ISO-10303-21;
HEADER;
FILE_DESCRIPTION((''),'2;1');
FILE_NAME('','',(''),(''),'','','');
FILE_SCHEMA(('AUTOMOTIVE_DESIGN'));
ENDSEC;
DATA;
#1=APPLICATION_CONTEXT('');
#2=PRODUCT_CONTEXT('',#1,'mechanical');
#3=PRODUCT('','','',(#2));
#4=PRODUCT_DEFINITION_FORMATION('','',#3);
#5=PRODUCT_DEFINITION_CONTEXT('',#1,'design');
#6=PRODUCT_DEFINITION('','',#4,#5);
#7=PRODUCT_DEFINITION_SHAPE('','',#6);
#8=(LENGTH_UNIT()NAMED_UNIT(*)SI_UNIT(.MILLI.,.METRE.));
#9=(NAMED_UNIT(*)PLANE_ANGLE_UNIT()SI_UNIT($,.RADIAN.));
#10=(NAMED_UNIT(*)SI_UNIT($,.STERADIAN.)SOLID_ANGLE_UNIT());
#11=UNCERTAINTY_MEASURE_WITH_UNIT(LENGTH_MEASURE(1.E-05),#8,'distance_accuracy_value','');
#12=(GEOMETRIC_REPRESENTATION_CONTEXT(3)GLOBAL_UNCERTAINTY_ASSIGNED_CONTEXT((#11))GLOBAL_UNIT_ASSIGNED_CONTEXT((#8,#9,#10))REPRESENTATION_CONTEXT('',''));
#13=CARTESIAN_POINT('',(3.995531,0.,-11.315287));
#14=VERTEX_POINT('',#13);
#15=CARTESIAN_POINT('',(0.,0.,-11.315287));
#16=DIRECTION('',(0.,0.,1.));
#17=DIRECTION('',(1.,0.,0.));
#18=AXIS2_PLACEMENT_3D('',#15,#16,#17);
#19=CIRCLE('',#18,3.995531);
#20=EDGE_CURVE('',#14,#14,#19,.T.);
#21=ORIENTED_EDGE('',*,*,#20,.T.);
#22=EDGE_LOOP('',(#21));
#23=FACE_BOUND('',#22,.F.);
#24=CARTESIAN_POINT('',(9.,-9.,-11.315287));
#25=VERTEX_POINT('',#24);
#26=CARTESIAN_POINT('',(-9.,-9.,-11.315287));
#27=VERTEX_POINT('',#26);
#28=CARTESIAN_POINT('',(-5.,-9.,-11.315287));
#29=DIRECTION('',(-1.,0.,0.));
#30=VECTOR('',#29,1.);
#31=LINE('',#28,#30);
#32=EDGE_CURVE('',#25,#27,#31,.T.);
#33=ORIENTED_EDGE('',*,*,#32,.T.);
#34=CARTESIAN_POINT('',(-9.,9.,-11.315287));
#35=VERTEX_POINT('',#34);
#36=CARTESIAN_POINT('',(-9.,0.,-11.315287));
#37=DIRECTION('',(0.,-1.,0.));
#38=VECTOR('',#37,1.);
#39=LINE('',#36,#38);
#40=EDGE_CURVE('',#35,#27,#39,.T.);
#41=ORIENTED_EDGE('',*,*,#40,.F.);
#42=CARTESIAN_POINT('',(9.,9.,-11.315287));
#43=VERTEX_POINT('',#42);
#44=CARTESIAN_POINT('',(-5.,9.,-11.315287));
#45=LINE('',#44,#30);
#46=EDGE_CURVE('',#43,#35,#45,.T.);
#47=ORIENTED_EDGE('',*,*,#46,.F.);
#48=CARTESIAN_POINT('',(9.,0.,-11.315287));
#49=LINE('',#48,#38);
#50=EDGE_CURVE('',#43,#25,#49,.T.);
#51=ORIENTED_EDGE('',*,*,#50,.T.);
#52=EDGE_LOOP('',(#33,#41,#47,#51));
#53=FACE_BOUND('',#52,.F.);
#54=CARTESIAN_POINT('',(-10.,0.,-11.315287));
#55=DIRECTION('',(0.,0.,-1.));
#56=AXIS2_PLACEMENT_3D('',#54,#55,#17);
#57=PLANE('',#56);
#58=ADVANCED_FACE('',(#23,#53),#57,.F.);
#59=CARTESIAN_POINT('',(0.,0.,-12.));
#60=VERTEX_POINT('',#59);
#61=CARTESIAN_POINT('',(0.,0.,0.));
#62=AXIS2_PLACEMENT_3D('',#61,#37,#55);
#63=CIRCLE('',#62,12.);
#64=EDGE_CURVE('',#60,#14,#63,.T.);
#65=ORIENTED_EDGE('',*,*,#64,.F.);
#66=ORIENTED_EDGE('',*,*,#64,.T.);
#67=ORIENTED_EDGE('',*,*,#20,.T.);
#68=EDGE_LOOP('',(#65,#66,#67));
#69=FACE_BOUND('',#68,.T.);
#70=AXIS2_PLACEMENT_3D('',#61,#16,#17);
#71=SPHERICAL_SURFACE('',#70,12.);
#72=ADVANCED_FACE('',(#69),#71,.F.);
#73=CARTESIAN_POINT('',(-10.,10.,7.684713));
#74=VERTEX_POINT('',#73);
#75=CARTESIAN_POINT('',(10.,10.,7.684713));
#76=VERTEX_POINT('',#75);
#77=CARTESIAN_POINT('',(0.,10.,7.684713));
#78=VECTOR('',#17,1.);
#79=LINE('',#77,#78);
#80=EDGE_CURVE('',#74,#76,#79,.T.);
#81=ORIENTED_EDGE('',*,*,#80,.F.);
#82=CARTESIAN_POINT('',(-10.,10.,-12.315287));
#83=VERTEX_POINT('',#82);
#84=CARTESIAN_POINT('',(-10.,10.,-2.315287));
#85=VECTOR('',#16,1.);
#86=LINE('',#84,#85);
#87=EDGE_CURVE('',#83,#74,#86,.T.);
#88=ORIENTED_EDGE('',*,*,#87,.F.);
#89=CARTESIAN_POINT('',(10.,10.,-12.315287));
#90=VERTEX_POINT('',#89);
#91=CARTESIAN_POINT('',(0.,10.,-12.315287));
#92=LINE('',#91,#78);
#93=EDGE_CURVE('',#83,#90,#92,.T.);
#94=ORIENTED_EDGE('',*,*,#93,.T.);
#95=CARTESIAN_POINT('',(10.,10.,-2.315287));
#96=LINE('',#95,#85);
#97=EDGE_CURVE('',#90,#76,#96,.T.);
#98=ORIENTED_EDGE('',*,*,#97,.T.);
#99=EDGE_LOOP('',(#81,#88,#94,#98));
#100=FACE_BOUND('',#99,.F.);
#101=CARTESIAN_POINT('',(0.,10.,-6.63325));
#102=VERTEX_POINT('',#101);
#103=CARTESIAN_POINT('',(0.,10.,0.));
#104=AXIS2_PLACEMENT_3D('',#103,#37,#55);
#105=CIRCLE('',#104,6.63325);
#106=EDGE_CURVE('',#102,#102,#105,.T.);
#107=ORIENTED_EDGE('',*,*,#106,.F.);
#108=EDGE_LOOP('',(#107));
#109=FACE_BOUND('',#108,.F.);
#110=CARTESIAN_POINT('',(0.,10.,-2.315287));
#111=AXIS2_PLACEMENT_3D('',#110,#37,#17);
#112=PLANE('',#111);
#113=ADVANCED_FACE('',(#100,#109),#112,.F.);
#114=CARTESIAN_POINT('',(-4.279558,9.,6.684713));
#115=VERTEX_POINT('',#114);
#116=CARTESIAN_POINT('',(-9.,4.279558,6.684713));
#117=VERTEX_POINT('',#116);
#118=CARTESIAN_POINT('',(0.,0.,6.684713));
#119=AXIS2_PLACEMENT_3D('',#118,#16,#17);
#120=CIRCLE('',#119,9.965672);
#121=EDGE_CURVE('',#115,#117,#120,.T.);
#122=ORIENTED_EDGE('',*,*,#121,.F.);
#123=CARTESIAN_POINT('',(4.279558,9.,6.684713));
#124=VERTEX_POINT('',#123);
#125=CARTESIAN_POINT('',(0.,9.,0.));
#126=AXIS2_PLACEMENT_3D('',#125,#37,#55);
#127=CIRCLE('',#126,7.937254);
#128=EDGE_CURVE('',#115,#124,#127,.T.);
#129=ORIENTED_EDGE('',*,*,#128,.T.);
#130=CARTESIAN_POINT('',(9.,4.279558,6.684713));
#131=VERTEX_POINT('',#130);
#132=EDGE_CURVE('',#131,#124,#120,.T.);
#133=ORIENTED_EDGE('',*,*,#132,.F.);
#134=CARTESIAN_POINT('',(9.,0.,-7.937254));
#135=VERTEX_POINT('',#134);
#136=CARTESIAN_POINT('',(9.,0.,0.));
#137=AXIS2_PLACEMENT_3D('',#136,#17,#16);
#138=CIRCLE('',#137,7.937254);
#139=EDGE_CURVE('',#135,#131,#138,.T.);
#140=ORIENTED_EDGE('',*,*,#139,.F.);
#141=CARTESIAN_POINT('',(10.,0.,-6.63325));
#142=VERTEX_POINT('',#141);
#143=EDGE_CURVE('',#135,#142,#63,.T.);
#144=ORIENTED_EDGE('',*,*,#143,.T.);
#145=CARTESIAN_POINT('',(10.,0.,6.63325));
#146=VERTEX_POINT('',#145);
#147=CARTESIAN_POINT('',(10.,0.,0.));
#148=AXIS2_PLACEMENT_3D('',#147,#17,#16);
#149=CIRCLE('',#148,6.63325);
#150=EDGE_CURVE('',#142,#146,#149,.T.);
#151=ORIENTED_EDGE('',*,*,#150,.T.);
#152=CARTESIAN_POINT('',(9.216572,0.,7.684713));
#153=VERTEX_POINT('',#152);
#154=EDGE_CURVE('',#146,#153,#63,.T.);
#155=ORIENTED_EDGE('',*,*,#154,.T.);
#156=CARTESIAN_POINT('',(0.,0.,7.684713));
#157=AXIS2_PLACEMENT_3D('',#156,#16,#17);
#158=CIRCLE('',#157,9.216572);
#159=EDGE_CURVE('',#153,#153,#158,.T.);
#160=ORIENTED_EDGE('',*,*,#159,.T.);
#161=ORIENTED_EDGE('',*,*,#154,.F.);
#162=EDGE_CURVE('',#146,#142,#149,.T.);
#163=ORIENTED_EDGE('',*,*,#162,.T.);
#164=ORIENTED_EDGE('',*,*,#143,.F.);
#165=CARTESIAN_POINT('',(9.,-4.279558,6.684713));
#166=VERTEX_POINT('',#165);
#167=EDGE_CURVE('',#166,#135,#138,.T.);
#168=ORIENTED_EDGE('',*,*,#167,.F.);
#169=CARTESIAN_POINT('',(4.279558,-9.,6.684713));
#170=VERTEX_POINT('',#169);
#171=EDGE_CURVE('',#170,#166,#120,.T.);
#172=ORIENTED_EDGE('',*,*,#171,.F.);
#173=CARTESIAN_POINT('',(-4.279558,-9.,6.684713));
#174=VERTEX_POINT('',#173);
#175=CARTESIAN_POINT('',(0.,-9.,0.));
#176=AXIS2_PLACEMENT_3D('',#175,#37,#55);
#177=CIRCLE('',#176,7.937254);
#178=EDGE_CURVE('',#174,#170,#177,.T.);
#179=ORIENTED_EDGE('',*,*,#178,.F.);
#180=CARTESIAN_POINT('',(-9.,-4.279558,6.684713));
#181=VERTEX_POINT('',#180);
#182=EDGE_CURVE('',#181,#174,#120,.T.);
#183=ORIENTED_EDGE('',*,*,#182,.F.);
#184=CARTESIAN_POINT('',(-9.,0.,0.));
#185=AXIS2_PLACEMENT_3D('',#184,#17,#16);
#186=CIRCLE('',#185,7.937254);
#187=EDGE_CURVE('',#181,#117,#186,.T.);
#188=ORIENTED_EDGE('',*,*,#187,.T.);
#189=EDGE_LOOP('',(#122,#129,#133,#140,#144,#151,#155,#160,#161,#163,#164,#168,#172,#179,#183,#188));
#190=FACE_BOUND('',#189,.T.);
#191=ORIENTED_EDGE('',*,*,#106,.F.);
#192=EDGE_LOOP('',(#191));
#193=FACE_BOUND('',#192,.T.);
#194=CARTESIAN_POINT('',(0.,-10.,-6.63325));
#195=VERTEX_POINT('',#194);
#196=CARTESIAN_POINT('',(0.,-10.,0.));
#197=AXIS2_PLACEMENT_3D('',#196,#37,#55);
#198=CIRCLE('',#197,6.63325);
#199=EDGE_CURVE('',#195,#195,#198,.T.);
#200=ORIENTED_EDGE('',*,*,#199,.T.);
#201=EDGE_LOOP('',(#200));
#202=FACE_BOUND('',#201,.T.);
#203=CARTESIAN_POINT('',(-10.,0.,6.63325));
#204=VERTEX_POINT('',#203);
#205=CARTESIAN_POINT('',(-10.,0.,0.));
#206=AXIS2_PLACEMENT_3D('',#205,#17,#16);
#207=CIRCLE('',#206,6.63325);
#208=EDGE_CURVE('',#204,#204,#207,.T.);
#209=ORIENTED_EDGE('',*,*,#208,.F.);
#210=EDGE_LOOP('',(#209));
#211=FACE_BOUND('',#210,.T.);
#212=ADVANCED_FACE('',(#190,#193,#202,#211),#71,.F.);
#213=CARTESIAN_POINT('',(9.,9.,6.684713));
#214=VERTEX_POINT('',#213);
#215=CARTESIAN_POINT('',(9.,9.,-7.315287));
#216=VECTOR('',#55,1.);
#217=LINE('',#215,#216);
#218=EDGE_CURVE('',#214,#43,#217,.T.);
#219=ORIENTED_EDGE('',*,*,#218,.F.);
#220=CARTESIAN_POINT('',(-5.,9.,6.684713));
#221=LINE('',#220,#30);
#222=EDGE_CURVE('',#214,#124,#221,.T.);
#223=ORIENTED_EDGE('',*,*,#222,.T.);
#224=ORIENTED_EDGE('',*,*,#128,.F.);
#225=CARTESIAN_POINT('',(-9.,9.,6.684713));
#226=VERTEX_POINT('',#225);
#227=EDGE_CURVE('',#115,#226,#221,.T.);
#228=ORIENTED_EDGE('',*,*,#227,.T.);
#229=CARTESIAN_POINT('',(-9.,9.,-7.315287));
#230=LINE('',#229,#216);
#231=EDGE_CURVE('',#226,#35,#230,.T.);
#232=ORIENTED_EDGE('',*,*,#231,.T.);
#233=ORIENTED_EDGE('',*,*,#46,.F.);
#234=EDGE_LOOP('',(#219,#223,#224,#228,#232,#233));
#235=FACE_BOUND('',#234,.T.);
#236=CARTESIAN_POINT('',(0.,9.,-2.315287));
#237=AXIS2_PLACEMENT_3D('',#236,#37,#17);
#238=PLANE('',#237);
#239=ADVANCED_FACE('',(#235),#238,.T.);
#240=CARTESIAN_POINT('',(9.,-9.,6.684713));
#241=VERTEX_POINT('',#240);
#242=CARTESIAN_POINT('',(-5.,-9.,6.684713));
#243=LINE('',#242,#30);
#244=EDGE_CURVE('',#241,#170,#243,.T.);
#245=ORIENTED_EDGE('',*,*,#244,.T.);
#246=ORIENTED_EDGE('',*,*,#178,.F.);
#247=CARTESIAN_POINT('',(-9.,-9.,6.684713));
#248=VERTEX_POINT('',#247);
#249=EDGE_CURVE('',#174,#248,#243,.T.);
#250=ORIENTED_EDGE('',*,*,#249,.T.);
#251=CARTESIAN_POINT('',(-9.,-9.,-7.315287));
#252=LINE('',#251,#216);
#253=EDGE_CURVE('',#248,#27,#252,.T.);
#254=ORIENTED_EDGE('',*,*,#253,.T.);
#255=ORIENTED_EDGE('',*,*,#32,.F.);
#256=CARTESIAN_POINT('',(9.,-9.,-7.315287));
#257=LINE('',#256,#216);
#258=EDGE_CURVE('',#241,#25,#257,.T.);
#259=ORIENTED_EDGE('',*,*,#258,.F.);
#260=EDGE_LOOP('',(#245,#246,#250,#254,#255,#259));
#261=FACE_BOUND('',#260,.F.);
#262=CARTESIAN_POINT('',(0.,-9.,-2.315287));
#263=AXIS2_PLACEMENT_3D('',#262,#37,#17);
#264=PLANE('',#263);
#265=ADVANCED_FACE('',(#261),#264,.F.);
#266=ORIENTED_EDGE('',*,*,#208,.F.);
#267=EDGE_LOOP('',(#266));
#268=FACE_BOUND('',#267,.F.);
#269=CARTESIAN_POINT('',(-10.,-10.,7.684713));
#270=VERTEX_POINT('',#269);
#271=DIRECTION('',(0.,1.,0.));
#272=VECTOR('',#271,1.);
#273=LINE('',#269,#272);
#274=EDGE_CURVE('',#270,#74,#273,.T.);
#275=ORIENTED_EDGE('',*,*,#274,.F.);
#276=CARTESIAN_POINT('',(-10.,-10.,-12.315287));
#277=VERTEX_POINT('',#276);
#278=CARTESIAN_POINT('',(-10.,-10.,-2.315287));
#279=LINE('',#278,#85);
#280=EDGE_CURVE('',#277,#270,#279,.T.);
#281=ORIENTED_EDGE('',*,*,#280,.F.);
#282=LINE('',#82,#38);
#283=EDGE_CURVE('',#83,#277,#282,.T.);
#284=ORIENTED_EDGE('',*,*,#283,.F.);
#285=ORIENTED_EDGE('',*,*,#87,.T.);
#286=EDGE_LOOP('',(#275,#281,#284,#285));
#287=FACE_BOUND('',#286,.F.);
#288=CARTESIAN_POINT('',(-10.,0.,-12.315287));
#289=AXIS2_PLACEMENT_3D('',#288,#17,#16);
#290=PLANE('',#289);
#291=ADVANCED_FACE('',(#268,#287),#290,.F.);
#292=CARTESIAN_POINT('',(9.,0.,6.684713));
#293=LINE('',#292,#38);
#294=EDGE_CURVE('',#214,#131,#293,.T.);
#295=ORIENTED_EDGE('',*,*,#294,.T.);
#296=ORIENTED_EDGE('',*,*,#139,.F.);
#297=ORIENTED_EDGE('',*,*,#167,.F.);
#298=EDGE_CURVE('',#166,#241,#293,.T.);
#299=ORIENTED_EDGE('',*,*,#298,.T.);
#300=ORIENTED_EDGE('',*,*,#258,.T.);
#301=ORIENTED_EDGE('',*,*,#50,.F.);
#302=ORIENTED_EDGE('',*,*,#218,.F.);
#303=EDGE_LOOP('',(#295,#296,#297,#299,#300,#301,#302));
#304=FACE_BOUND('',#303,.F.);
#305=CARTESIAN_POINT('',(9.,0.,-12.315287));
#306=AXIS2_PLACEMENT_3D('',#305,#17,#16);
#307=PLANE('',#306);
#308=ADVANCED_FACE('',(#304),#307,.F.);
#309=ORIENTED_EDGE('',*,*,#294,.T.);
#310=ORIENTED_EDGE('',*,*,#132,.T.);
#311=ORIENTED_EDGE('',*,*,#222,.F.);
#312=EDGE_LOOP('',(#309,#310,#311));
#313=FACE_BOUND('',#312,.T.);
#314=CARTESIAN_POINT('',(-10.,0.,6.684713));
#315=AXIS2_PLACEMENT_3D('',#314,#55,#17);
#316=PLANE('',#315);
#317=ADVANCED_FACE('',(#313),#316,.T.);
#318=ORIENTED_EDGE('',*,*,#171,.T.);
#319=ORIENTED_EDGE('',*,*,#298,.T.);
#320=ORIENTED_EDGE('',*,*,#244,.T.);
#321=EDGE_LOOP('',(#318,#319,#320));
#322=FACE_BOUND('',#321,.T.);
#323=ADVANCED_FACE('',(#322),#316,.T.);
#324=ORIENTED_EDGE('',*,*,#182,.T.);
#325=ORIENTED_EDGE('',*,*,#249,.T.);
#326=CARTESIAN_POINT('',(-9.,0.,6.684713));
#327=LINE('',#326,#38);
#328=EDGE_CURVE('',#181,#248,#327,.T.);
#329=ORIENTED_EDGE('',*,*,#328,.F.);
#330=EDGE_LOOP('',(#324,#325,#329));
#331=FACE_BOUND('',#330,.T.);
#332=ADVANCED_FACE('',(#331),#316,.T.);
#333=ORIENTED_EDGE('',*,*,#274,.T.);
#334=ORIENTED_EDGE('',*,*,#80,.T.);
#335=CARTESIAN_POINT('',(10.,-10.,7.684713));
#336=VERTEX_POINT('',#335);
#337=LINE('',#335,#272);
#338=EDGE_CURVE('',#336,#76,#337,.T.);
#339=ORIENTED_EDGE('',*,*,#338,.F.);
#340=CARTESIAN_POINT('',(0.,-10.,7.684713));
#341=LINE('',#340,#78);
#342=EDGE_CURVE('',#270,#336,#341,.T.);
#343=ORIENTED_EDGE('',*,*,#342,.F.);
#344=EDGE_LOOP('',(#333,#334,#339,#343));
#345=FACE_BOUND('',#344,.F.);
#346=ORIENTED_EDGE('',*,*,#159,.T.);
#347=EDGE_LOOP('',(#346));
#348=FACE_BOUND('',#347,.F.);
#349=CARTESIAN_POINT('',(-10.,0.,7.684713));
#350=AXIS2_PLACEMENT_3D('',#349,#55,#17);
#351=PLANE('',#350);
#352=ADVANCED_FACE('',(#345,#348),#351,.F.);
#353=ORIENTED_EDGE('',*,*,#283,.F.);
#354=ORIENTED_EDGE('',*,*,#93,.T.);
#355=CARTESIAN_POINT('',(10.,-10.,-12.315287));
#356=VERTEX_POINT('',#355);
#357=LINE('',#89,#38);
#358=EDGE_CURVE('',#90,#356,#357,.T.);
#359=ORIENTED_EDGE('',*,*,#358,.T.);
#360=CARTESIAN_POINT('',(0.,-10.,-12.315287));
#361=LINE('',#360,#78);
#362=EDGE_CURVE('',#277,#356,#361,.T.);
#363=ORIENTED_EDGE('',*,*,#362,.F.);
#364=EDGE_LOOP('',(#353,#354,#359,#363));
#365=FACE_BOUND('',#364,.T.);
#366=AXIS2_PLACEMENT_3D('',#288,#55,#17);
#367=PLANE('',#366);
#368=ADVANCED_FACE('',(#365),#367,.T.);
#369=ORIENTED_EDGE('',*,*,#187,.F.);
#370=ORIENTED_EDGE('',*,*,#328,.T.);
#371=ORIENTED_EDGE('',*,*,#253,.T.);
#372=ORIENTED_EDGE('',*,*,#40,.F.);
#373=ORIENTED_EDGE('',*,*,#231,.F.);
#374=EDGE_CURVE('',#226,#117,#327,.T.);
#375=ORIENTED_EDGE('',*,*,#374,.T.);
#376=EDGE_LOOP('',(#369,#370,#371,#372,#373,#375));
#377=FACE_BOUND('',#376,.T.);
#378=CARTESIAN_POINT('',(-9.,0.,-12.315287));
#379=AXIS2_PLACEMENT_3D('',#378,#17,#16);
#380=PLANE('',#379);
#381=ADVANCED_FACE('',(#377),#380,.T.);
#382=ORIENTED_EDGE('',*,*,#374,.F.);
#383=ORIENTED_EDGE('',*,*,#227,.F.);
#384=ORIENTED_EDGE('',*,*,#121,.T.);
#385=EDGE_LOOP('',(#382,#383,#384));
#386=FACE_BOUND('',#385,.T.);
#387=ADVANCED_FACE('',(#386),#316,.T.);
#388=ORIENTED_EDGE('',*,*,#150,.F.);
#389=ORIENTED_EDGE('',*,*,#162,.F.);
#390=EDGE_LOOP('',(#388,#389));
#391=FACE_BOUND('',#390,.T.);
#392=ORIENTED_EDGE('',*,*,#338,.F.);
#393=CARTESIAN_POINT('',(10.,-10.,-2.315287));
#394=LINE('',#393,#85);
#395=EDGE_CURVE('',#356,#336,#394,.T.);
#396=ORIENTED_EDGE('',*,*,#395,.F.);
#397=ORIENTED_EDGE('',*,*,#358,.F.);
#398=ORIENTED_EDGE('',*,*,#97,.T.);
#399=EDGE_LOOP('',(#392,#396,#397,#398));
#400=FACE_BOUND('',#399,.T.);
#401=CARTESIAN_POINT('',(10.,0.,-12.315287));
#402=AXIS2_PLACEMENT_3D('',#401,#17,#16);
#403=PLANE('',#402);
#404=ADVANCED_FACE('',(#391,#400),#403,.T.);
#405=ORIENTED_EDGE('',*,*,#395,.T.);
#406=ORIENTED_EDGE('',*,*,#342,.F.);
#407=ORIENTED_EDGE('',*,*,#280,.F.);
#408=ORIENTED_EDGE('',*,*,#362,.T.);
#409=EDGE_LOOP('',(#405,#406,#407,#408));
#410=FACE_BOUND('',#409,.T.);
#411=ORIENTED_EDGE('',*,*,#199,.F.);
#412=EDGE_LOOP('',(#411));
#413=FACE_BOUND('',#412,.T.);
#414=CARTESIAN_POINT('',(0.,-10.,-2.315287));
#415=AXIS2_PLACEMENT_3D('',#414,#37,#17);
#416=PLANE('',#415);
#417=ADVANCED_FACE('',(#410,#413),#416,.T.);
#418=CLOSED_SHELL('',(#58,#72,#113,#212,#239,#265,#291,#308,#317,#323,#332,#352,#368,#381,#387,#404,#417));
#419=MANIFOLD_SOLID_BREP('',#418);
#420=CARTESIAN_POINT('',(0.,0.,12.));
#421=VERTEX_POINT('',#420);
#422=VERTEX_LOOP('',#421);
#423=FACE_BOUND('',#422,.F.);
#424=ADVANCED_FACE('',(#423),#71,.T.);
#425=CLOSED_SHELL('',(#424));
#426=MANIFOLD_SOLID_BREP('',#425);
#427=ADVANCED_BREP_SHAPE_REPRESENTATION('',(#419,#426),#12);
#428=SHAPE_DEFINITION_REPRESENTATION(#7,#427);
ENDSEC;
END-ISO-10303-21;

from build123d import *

# Parameters (mm, degrees)
F2_W     = 20
F2_H     = 20
F3_DEPTH = 10
F4_T     = -1


with BuildPart() as f1:
    # F0 (on Front) → F1 (revolve)
    with BuildSketch(Plane.XZ):
        with BuildLine():
            ThreePointArc((0, -12), (12, 0), (0, 12))
            Line((0, 12), (0, -12))
        make_face()
    revolve(axis=Axis((0, 0, 0), (0, 0, -1)))


with BuildPart() as f3:
    # F2 (on Front) → F3 (new body, symmetric)
    with BuildSketch(Plane.XZ):
        with Locations((0, -2.3152874783)):
            Rectangle(F2_W, F2_H)
    extrude(amount=F3_DEPTH, both=True)

    # F4 (hollow: no face is removed)
    offset(amount=F4_T, mode=Mode.SUBTRACT)

    # F5: cut F1
    add(f1.part, mode=Mode.SUBTRACT)


solid = Compound([f1.part, f3.part])
